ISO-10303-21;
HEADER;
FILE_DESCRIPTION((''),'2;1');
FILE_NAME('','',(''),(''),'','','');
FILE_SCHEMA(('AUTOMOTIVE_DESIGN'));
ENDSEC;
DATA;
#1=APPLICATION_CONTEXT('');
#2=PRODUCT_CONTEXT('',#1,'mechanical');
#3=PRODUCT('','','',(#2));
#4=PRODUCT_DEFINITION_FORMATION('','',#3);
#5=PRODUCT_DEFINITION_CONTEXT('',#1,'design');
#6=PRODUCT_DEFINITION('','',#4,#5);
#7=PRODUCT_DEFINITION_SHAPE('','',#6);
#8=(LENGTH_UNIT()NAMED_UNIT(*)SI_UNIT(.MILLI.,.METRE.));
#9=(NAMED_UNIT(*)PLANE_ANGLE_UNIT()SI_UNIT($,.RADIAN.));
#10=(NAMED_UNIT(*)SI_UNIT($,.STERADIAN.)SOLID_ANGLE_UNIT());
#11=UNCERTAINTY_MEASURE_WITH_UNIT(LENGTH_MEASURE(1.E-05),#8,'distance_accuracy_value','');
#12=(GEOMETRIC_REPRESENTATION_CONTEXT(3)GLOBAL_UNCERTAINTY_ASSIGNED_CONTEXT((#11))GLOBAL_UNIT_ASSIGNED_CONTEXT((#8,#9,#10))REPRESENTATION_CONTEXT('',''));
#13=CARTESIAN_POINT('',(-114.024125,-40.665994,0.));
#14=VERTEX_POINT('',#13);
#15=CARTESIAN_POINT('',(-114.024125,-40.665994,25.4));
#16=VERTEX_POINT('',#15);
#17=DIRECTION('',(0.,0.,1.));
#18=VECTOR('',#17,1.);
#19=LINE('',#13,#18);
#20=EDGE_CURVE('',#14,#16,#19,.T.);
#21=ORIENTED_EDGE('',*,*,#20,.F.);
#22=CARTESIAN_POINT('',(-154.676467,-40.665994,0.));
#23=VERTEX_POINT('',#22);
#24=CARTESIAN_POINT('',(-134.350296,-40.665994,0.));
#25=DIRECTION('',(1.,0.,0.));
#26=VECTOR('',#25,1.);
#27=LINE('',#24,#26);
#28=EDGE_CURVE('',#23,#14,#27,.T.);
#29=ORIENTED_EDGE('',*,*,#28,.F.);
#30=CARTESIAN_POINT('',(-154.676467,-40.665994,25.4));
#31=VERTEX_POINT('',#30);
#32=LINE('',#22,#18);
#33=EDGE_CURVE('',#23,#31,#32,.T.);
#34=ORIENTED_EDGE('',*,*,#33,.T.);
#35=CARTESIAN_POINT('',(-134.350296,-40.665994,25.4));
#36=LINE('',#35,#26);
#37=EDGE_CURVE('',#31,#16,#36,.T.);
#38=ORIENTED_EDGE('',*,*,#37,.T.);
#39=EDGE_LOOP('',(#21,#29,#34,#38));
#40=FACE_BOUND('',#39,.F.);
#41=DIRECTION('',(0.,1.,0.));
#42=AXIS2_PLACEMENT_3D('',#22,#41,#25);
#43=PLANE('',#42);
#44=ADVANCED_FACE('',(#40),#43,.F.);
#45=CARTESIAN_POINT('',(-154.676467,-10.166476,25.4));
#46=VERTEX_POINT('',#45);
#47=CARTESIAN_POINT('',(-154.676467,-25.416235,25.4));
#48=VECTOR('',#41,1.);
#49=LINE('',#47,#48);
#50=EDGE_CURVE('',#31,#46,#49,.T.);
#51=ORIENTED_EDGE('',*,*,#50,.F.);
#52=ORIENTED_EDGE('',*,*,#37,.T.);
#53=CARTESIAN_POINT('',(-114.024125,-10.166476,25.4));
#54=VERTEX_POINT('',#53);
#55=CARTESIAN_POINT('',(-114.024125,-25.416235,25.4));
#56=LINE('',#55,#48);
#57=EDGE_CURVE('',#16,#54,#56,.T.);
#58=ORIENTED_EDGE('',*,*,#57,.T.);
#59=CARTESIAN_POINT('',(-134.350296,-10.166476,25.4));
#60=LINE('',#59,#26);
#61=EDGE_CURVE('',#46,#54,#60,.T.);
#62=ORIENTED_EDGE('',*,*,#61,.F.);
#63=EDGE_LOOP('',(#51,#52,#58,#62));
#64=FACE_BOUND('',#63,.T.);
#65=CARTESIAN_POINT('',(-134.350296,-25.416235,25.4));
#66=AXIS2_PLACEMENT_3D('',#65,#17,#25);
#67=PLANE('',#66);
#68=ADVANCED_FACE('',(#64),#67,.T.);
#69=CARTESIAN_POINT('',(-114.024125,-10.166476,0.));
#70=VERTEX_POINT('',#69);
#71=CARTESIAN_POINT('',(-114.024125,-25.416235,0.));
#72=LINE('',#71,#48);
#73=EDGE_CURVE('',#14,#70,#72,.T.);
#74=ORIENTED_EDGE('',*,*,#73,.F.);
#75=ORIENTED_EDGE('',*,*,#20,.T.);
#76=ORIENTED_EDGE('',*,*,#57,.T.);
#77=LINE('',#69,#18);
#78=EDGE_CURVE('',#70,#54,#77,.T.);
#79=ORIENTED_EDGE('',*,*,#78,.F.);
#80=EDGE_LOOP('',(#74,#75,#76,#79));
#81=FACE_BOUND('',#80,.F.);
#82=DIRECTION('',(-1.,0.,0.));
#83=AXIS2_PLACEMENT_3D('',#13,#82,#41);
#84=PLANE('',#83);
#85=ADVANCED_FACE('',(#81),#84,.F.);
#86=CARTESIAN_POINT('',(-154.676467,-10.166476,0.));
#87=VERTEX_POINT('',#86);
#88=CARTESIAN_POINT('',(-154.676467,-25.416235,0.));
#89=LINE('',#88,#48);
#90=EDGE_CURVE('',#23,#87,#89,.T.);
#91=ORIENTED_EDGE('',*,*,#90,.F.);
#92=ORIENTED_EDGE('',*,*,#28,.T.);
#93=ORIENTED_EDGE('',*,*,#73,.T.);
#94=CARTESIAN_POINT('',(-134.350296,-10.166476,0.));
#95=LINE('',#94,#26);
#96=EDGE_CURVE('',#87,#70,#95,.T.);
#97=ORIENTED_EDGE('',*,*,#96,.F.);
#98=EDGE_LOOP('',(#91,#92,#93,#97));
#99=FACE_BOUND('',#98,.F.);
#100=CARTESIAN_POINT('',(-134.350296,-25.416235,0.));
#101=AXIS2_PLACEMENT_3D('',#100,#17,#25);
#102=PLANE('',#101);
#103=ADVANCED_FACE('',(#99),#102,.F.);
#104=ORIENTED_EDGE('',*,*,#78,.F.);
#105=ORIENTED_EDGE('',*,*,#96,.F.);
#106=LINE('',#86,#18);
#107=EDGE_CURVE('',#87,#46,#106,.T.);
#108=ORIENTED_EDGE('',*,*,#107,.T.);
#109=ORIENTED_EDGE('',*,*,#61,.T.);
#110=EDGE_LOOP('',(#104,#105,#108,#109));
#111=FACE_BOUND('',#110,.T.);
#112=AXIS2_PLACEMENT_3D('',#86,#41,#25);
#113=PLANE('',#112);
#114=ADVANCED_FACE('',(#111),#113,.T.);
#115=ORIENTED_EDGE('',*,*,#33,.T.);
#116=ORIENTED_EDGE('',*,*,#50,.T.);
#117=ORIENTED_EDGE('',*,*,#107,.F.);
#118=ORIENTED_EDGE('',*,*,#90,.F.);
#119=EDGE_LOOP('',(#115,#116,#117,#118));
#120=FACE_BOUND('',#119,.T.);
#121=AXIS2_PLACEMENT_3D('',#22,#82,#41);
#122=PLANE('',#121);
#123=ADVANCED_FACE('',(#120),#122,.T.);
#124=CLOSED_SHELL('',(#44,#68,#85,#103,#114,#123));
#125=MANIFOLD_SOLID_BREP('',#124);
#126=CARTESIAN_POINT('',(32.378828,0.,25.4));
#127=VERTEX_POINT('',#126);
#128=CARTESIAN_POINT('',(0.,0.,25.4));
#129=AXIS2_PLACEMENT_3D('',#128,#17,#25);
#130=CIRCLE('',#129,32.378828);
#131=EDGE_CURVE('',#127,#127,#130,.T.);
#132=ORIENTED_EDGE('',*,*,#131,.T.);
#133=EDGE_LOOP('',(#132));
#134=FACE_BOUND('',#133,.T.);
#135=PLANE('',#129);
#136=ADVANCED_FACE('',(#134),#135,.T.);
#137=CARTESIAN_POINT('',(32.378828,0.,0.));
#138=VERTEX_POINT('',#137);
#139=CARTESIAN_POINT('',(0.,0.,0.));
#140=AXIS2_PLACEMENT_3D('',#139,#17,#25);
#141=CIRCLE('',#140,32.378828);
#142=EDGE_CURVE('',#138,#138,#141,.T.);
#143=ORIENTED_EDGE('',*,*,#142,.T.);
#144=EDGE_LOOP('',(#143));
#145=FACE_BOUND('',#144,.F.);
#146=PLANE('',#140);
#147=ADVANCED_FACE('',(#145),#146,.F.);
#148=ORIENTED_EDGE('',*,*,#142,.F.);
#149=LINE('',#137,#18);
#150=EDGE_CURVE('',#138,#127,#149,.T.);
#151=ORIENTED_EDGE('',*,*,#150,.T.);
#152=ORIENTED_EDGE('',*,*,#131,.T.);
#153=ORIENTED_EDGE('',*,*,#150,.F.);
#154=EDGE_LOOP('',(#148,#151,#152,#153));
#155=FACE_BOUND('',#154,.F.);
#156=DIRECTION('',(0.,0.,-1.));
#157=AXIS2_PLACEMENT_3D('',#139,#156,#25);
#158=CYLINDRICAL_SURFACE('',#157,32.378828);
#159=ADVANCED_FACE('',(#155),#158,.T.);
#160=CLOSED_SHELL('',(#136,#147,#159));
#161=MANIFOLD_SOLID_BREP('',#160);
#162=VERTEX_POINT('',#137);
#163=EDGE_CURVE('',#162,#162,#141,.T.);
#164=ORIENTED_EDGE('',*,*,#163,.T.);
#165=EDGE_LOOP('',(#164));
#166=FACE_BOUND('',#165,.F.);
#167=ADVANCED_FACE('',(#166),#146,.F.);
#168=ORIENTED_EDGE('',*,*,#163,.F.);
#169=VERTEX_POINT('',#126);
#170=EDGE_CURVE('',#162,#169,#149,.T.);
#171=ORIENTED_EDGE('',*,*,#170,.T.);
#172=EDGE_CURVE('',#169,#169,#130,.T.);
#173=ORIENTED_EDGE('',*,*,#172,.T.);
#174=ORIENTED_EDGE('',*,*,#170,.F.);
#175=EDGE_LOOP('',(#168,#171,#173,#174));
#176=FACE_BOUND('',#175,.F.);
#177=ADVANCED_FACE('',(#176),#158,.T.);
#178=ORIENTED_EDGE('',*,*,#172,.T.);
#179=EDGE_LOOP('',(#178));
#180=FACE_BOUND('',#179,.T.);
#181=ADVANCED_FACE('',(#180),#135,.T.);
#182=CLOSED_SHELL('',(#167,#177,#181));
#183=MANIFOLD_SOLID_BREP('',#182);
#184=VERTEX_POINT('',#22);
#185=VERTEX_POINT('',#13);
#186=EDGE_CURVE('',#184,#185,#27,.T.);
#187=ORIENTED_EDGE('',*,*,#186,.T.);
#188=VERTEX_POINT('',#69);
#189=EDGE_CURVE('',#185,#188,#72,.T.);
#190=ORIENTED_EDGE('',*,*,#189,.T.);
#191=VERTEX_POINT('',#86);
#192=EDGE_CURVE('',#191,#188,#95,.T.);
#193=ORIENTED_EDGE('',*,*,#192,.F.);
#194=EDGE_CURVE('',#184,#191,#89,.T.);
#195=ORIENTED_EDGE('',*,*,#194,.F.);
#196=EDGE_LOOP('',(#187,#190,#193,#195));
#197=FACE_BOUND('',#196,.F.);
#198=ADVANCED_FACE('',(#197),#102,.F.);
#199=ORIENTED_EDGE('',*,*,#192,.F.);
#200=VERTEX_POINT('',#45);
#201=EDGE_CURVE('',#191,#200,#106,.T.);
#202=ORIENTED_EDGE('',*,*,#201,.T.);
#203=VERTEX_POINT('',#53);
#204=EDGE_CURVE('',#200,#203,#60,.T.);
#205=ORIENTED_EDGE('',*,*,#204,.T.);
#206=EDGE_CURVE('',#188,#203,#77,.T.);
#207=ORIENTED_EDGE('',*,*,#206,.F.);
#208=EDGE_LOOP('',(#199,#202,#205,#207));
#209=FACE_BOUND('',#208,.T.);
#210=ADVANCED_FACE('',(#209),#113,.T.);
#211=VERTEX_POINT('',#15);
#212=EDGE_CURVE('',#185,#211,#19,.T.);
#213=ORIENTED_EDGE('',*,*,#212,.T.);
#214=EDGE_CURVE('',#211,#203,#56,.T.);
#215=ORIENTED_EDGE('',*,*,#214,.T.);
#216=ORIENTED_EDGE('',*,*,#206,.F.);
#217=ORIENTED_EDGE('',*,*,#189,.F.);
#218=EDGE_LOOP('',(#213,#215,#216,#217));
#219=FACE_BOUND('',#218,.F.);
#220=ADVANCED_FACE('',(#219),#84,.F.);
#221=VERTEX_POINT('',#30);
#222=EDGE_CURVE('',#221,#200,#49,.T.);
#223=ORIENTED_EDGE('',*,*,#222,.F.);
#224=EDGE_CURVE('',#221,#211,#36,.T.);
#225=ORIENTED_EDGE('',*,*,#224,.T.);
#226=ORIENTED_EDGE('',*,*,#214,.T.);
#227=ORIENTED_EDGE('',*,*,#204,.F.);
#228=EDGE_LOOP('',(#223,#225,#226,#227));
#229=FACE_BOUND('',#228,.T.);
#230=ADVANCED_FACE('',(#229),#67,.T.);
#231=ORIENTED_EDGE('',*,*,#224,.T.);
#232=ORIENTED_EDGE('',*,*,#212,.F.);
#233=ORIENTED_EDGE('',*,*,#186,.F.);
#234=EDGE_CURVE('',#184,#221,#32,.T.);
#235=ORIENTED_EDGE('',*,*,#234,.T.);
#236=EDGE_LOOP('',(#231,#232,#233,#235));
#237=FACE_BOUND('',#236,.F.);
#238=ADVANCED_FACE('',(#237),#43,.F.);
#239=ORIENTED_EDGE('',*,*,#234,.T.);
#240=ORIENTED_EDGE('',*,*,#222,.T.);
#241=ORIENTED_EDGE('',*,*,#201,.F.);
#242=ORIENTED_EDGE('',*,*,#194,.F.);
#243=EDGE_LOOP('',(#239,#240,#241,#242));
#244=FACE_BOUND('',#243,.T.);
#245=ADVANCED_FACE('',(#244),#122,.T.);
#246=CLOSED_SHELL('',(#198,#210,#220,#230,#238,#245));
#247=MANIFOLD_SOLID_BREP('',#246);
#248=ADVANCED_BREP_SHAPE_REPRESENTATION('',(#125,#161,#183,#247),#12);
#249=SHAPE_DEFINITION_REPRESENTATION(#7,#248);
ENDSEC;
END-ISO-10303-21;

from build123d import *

# Parameters (mm, degrees)
F0_R     = 32.378828
F0_W     = 40.652342
F0_H     = 30.499519
F1_DEPTH = 25.4
F2_DEPTH = 25.4


with BuildPart() as f1:
    # F0 (on Top) → F1 (new body)
    with BuildSketch(Plane.XY):
        Circle(F0_R)
        with Locations((-134.350296, -25.416235)):
            Rectangle(F0_W, F0_H)
    extrude(amount=F1_DEPTH)


with BuildPart() as f2:
    # F0 (on Top) → F2 (new body)
    with BuildSketch(Plane.XY):
        Circle(F0_R)
        with Locations((-134.350296, -25.416235)):
            Rectangle(F0_W, F0_H)
    extrude(amount=F2_DEPTH)


solid = Compound([f1.part, f2.part])
